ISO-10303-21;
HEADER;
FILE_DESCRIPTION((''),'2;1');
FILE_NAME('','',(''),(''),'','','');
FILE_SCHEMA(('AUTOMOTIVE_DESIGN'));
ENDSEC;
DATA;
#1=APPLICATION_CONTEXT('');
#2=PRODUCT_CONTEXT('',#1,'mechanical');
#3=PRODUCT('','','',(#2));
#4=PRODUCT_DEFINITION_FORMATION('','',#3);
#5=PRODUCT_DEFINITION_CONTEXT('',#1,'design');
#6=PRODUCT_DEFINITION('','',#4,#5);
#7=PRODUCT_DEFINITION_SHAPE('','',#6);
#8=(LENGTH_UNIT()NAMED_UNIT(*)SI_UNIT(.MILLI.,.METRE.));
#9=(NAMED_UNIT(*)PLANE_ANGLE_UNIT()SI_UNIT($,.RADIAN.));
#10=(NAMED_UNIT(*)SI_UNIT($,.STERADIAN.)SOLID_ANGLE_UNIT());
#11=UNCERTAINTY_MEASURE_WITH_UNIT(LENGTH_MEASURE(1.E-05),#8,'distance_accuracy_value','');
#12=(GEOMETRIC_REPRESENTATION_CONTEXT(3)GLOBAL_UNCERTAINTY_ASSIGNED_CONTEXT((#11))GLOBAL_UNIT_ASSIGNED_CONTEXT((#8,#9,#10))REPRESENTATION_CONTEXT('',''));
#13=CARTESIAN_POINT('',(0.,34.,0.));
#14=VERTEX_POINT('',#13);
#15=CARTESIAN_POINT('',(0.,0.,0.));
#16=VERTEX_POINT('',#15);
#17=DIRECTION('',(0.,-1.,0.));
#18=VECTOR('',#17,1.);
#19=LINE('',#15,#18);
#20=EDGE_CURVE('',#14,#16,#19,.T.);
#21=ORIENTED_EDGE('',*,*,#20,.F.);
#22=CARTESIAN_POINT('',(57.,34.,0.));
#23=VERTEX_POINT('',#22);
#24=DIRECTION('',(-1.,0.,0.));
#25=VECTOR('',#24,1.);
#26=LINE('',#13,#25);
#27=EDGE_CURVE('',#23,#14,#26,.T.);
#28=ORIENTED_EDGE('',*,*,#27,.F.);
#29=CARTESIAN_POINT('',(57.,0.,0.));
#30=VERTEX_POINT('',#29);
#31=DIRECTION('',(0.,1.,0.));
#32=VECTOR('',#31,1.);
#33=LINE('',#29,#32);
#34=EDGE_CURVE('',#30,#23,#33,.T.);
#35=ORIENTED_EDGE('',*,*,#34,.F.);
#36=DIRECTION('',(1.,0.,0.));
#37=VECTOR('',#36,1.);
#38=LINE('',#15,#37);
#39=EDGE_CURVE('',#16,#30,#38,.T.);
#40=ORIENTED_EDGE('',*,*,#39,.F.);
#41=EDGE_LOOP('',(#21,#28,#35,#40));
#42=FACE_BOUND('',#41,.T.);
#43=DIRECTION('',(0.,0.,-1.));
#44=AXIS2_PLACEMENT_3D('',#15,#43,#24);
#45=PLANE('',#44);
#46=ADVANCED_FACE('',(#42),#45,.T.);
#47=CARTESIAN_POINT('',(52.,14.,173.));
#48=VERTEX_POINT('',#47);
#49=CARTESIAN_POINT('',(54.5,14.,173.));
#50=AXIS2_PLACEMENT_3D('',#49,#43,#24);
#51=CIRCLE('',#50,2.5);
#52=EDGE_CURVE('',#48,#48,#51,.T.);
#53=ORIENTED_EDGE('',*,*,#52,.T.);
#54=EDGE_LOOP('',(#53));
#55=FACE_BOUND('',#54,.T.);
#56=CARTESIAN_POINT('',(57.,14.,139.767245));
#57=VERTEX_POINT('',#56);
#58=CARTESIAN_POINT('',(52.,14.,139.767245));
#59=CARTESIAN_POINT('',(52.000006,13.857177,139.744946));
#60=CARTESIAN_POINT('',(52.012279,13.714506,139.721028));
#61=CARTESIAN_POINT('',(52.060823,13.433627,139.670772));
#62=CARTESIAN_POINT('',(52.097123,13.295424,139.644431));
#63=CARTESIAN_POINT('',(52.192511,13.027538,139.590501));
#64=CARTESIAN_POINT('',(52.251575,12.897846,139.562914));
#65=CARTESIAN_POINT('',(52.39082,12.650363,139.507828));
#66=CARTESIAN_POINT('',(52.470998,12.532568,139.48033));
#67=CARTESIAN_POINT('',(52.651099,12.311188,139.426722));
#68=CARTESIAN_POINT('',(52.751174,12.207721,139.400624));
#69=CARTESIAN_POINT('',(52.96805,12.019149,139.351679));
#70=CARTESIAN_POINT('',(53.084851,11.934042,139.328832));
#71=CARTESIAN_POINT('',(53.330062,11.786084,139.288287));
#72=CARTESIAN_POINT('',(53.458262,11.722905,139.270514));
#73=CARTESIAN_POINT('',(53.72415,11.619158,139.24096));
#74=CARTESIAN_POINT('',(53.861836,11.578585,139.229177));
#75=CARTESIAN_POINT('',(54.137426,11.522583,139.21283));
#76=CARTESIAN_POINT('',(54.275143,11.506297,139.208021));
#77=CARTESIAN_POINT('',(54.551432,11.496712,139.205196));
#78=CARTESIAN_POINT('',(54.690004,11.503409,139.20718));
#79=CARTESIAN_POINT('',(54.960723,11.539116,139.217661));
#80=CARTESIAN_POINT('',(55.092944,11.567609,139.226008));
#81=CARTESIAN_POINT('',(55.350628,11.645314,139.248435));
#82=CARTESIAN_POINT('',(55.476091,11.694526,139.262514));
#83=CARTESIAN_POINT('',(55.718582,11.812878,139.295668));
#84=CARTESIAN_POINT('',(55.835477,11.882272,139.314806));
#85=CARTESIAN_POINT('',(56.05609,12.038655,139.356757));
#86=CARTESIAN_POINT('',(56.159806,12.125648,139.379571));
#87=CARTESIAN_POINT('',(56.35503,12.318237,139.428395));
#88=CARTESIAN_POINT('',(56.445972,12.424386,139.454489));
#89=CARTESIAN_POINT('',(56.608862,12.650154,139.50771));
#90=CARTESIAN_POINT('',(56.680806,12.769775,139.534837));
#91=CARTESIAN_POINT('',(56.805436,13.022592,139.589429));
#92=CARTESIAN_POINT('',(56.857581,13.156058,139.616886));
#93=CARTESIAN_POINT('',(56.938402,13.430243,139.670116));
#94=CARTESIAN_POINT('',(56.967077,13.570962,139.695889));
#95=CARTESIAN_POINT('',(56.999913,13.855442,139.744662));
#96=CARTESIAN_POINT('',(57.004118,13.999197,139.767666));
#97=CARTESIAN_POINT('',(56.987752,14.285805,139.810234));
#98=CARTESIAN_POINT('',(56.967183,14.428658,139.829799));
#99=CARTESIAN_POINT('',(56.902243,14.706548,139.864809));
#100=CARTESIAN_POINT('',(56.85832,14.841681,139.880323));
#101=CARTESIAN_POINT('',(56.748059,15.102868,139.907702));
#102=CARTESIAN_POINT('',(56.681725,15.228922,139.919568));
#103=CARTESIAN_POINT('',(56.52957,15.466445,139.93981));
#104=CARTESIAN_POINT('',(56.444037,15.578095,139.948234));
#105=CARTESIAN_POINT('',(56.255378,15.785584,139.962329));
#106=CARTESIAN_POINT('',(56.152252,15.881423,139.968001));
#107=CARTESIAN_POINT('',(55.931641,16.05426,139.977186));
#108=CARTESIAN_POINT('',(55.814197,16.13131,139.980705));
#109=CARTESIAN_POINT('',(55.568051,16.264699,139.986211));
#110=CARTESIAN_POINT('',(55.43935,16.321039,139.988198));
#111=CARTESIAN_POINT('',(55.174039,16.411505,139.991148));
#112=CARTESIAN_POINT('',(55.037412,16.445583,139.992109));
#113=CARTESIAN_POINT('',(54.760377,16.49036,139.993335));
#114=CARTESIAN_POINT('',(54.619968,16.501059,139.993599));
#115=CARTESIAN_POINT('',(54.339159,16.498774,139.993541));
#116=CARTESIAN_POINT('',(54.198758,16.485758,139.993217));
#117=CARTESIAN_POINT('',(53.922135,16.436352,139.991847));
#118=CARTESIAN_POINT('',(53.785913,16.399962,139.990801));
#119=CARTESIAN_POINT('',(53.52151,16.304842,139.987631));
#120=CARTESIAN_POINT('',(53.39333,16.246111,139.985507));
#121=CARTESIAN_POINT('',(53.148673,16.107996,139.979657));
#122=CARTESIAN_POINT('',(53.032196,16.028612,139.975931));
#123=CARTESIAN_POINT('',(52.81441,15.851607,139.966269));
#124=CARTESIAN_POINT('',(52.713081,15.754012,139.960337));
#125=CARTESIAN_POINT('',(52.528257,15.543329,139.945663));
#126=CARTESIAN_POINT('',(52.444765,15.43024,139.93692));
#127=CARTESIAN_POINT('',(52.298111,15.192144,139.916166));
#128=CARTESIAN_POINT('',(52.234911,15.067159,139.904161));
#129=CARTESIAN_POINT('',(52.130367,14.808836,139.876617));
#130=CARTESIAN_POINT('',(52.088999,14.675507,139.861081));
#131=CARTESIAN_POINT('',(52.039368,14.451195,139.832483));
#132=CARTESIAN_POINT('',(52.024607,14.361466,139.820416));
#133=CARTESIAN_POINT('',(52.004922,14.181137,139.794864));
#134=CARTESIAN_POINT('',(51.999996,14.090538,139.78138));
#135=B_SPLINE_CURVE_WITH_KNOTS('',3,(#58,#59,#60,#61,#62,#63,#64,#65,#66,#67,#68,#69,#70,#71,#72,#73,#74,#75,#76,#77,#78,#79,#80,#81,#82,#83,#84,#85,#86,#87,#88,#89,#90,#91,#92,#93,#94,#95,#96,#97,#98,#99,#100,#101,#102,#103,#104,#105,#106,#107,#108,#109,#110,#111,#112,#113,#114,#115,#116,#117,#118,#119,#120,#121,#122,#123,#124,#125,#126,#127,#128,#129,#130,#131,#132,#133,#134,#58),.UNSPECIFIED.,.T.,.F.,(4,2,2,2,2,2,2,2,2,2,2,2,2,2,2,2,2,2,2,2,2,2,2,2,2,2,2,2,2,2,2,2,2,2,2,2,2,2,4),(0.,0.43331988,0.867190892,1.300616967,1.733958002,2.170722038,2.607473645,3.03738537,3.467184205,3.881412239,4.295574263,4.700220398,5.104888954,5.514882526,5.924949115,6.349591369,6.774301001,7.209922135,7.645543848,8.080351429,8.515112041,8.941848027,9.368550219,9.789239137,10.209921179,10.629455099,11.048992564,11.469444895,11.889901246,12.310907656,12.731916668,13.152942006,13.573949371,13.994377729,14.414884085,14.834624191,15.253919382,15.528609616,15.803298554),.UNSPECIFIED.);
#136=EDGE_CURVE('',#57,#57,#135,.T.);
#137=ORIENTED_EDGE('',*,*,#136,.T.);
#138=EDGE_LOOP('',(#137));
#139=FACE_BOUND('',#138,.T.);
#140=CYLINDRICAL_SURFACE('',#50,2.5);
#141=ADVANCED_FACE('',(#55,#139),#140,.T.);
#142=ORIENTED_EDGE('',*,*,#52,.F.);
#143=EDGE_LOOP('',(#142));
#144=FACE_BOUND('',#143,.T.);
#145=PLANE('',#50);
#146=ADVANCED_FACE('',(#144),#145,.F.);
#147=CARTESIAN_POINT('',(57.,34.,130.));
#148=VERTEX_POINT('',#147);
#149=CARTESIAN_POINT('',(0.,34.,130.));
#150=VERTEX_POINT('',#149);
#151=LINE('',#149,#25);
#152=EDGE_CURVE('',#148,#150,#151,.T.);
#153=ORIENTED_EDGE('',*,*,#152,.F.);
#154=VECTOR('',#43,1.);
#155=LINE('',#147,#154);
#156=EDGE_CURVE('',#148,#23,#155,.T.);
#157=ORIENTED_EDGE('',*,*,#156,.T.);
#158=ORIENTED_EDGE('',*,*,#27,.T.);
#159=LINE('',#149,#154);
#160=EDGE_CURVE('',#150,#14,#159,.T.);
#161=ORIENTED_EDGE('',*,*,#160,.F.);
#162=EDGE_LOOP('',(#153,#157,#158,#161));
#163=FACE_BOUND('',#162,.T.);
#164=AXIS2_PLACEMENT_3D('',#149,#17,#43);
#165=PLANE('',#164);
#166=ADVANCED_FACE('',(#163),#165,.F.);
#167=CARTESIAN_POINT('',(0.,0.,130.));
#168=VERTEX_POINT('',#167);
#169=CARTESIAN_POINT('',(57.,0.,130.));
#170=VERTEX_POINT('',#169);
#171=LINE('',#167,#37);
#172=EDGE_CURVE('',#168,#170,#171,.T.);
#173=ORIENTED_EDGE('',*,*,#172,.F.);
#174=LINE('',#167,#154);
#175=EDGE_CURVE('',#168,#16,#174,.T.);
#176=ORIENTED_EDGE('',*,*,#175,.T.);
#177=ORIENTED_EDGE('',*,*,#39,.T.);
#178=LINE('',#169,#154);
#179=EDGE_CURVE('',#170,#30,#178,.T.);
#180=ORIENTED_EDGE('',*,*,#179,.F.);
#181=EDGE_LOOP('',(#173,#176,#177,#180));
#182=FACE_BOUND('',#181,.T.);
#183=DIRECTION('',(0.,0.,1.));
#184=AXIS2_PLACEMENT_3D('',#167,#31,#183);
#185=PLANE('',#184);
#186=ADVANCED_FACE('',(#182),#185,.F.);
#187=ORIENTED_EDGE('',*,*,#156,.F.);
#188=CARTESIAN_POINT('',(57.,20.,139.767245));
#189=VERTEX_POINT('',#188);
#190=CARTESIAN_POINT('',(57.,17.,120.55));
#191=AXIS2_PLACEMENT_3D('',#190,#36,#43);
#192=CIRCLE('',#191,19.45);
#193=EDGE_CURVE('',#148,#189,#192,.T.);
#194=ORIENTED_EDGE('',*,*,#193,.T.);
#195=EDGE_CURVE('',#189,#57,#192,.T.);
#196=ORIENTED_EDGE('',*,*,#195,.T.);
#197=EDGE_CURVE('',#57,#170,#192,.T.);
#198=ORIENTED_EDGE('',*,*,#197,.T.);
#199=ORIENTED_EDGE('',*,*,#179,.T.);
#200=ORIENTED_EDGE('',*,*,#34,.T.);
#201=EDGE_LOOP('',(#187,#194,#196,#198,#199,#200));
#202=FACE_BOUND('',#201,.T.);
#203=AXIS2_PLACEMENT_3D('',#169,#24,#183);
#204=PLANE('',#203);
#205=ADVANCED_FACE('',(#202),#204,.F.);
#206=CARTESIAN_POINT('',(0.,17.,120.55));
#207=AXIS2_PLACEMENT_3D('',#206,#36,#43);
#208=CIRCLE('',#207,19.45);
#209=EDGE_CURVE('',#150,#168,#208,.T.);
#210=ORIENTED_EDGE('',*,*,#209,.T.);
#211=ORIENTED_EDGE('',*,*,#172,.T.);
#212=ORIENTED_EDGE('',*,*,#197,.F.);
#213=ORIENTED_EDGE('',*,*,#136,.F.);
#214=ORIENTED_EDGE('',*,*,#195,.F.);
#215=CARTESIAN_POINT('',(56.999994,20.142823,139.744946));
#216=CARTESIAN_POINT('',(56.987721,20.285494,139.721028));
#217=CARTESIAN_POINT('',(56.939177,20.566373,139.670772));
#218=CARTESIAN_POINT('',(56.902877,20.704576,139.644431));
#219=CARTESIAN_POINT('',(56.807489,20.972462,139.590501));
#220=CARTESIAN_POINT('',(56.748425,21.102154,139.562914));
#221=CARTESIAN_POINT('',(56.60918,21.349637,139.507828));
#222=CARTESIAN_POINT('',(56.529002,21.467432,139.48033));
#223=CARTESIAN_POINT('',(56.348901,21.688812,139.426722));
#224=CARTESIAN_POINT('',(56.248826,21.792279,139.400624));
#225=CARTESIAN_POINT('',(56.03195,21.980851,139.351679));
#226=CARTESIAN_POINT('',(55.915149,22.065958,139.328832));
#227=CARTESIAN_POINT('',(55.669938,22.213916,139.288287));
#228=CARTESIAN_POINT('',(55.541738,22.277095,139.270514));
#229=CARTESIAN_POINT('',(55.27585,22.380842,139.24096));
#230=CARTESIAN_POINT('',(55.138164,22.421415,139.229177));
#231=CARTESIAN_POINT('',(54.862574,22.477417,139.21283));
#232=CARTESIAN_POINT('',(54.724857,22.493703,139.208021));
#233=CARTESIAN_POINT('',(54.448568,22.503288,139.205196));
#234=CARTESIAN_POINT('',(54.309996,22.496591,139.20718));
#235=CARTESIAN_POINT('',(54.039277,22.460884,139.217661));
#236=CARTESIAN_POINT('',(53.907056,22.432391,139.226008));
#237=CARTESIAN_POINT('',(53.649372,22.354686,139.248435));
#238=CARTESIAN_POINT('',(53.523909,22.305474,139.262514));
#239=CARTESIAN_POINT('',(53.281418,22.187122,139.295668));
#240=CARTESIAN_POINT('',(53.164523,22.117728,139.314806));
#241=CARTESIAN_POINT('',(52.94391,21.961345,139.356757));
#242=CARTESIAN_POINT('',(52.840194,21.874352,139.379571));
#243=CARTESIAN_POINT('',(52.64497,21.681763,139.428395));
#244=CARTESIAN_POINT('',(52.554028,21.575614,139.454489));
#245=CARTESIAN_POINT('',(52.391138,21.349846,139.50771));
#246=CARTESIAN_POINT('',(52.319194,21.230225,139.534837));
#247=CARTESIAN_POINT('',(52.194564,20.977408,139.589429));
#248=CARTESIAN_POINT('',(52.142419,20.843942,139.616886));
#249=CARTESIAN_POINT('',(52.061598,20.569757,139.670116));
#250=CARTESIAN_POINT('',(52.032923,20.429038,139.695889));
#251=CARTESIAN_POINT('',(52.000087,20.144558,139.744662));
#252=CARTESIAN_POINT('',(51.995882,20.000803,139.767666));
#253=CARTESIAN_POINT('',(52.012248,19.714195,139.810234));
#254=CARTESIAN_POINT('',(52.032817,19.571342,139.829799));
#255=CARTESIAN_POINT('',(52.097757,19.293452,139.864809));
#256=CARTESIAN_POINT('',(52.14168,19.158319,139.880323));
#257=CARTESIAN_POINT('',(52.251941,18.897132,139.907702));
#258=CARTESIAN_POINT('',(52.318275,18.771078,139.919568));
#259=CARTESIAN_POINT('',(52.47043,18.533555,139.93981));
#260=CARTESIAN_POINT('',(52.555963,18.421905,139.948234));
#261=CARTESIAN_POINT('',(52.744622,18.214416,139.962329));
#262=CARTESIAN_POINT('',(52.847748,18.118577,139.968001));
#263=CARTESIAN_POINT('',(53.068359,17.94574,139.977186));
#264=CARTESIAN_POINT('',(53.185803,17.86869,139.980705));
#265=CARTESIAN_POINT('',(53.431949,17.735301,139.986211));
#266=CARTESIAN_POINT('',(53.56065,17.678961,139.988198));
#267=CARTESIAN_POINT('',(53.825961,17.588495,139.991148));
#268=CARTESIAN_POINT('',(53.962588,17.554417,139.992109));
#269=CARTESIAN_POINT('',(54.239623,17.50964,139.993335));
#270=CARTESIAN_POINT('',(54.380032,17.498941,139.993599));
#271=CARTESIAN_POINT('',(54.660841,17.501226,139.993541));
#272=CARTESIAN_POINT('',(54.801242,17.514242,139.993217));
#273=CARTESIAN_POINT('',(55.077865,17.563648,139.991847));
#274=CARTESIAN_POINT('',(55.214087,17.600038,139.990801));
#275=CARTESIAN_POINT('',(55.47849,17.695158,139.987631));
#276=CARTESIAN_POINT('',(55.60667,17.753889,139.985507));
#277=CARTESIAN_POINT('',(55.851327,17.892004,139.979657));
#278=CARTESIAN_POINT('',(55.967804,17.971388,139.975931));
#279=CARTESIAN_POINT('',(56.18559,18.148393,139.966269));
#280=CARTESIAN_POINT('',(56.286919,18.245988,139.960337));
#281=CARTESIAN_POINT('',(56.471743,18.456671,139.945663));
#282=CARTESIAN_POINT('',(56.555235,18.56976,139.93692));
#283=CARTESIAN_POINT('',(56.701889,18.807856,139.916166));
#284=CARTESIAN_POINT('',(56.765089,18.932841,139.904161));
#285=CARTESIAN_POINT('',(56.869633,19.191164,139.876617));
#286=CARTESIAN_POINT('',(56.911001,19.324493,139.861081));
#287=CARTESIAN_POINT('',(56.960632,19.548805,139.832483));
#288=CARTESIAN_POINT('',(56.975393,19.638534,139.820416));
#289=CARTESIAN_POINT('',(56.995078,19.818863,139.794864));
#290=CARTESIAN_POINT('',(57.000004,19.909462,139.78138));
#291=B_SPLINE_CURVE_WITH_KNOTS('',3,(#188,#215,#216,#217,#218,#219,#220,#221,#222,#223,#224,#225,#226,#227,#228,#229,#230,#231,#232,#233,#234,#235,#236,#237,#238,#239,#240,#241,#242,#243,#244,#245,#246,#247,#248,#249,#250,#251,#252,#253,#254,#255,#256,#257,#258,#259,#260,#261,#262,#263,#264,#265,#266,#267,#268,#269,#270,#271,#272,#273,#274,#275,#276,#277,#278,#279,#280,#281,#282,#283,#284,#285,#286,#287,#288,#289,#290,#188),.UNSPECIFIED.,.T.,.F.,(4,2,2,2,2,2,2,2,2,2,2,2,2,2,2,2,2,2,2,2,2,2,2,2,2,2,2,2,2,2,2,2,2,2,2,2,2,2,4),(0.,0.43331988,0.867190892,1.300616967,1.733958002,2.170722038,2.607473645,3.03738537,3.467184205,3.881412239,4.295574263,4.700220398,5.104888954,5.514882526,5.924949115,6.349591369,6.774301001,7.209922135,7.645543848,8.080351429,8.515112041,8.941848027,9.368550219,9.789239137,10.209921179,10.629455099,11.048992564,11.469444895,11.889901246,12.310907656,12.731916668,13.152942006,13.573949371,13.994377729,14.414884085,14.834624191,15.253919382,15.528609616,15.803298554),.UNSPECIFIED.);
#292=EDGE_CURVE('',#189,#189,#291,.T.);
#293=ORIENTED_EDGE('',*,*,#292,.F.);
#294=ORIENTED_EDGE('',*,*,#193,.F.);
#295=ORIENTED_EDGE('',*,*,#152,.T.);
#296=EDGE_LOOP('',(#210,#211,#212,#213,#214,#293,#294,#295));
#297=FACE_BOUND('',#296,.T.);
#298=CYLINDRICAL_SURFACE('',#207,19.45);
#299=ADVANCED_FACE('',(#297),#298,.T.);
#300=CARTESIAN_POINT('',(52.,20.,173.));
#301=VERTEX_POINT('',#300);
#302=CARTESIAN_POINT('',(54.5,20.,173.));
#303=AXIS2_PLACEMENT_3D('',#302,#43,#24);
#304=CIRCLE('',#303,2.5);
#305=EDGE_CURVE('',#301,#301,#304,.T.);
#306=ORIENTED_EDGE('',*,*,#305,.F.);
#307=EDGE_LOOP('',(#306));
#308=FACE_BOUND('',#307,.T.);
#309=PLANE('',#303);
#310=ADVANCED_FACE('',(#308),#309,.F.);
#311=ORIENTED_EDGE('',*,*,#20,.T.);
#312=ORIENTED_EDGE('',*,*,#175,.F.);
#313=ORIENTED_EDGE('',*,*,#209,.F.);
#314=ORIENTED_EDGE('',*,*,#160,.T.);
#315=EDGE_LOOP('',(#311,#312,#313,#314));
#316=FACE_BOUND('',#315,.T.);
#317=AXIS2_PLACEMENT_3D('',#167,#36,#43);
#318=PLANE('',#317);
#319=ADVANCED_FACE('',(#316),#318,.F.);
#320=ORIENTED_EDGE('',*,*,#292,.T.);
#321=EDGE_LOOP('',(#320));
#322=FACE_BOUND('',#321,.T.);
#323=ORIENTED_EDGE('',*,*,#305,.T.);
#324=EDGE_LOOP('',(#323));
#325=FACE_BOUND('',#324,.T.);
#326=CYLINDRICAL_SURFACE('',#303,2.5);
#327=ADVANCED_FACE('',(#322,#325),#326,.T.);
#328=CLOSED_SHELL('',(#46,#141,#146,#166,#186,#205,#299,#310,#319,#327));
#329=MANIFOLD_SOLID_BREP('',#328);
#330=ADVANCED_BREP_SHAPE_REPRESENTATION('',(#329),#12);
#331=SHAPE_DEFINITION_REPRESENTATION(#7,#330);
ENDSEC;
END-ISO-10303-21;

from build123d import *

# Parameters (mm, degrees)
ESQUISSE1_W        = 57
ESQUISSE1_H        = 34
BOSS_EXTRU_1_DEPTH = 130
BOSS_EXTRU_2_DEPTH = 57
ESQUISSE3_R        = 2.5
BOSS_EXTRU_3_DEPTH = 173


with BuildPart() as part:
    # Esquisse1 → Boss.-Extru.1 (new body)
    with BuildSketch(Plane.XY):
        with Locations((28.5, 17)):
            Rectangle(ESQUISSE1_W, ESQUISSE1_H)
    extrude(amount=BOSS_EXTRU_1_DEPTH)

    # Esquisse2 → Boss.-Extru.2 (add)
    with BuildSketch(Plane(origin=(57, 0, 0), x_dir=(0, 0, -1), z_dir=(1, 0, 0))):
        with BuildLine():
            Line((-130, 34), (-130, 0))
            ThreePointArc((-130, 0), (-140, 17), (-130, 34))
        make_face()
    extrude(amount=-BOSS_EXTRU_2_DEPTH)

    # Esquisse3 → Boss.-Extru.3 (add)
    with BuildSketch(Plane(origin=(0, 0, 0), x_dir=(-1, 0, 0), z_dir=(0, 0, -1))):
        with Locations((-54.5, 20)):
            Circle(ESQUISSE3_R)
        with Locations((-54.5, 14)):
            Circle(ESQUISSE3_R)
    extrude(amount=-BOSS_EXTRU_3_DEPTH)


solid = part.part
